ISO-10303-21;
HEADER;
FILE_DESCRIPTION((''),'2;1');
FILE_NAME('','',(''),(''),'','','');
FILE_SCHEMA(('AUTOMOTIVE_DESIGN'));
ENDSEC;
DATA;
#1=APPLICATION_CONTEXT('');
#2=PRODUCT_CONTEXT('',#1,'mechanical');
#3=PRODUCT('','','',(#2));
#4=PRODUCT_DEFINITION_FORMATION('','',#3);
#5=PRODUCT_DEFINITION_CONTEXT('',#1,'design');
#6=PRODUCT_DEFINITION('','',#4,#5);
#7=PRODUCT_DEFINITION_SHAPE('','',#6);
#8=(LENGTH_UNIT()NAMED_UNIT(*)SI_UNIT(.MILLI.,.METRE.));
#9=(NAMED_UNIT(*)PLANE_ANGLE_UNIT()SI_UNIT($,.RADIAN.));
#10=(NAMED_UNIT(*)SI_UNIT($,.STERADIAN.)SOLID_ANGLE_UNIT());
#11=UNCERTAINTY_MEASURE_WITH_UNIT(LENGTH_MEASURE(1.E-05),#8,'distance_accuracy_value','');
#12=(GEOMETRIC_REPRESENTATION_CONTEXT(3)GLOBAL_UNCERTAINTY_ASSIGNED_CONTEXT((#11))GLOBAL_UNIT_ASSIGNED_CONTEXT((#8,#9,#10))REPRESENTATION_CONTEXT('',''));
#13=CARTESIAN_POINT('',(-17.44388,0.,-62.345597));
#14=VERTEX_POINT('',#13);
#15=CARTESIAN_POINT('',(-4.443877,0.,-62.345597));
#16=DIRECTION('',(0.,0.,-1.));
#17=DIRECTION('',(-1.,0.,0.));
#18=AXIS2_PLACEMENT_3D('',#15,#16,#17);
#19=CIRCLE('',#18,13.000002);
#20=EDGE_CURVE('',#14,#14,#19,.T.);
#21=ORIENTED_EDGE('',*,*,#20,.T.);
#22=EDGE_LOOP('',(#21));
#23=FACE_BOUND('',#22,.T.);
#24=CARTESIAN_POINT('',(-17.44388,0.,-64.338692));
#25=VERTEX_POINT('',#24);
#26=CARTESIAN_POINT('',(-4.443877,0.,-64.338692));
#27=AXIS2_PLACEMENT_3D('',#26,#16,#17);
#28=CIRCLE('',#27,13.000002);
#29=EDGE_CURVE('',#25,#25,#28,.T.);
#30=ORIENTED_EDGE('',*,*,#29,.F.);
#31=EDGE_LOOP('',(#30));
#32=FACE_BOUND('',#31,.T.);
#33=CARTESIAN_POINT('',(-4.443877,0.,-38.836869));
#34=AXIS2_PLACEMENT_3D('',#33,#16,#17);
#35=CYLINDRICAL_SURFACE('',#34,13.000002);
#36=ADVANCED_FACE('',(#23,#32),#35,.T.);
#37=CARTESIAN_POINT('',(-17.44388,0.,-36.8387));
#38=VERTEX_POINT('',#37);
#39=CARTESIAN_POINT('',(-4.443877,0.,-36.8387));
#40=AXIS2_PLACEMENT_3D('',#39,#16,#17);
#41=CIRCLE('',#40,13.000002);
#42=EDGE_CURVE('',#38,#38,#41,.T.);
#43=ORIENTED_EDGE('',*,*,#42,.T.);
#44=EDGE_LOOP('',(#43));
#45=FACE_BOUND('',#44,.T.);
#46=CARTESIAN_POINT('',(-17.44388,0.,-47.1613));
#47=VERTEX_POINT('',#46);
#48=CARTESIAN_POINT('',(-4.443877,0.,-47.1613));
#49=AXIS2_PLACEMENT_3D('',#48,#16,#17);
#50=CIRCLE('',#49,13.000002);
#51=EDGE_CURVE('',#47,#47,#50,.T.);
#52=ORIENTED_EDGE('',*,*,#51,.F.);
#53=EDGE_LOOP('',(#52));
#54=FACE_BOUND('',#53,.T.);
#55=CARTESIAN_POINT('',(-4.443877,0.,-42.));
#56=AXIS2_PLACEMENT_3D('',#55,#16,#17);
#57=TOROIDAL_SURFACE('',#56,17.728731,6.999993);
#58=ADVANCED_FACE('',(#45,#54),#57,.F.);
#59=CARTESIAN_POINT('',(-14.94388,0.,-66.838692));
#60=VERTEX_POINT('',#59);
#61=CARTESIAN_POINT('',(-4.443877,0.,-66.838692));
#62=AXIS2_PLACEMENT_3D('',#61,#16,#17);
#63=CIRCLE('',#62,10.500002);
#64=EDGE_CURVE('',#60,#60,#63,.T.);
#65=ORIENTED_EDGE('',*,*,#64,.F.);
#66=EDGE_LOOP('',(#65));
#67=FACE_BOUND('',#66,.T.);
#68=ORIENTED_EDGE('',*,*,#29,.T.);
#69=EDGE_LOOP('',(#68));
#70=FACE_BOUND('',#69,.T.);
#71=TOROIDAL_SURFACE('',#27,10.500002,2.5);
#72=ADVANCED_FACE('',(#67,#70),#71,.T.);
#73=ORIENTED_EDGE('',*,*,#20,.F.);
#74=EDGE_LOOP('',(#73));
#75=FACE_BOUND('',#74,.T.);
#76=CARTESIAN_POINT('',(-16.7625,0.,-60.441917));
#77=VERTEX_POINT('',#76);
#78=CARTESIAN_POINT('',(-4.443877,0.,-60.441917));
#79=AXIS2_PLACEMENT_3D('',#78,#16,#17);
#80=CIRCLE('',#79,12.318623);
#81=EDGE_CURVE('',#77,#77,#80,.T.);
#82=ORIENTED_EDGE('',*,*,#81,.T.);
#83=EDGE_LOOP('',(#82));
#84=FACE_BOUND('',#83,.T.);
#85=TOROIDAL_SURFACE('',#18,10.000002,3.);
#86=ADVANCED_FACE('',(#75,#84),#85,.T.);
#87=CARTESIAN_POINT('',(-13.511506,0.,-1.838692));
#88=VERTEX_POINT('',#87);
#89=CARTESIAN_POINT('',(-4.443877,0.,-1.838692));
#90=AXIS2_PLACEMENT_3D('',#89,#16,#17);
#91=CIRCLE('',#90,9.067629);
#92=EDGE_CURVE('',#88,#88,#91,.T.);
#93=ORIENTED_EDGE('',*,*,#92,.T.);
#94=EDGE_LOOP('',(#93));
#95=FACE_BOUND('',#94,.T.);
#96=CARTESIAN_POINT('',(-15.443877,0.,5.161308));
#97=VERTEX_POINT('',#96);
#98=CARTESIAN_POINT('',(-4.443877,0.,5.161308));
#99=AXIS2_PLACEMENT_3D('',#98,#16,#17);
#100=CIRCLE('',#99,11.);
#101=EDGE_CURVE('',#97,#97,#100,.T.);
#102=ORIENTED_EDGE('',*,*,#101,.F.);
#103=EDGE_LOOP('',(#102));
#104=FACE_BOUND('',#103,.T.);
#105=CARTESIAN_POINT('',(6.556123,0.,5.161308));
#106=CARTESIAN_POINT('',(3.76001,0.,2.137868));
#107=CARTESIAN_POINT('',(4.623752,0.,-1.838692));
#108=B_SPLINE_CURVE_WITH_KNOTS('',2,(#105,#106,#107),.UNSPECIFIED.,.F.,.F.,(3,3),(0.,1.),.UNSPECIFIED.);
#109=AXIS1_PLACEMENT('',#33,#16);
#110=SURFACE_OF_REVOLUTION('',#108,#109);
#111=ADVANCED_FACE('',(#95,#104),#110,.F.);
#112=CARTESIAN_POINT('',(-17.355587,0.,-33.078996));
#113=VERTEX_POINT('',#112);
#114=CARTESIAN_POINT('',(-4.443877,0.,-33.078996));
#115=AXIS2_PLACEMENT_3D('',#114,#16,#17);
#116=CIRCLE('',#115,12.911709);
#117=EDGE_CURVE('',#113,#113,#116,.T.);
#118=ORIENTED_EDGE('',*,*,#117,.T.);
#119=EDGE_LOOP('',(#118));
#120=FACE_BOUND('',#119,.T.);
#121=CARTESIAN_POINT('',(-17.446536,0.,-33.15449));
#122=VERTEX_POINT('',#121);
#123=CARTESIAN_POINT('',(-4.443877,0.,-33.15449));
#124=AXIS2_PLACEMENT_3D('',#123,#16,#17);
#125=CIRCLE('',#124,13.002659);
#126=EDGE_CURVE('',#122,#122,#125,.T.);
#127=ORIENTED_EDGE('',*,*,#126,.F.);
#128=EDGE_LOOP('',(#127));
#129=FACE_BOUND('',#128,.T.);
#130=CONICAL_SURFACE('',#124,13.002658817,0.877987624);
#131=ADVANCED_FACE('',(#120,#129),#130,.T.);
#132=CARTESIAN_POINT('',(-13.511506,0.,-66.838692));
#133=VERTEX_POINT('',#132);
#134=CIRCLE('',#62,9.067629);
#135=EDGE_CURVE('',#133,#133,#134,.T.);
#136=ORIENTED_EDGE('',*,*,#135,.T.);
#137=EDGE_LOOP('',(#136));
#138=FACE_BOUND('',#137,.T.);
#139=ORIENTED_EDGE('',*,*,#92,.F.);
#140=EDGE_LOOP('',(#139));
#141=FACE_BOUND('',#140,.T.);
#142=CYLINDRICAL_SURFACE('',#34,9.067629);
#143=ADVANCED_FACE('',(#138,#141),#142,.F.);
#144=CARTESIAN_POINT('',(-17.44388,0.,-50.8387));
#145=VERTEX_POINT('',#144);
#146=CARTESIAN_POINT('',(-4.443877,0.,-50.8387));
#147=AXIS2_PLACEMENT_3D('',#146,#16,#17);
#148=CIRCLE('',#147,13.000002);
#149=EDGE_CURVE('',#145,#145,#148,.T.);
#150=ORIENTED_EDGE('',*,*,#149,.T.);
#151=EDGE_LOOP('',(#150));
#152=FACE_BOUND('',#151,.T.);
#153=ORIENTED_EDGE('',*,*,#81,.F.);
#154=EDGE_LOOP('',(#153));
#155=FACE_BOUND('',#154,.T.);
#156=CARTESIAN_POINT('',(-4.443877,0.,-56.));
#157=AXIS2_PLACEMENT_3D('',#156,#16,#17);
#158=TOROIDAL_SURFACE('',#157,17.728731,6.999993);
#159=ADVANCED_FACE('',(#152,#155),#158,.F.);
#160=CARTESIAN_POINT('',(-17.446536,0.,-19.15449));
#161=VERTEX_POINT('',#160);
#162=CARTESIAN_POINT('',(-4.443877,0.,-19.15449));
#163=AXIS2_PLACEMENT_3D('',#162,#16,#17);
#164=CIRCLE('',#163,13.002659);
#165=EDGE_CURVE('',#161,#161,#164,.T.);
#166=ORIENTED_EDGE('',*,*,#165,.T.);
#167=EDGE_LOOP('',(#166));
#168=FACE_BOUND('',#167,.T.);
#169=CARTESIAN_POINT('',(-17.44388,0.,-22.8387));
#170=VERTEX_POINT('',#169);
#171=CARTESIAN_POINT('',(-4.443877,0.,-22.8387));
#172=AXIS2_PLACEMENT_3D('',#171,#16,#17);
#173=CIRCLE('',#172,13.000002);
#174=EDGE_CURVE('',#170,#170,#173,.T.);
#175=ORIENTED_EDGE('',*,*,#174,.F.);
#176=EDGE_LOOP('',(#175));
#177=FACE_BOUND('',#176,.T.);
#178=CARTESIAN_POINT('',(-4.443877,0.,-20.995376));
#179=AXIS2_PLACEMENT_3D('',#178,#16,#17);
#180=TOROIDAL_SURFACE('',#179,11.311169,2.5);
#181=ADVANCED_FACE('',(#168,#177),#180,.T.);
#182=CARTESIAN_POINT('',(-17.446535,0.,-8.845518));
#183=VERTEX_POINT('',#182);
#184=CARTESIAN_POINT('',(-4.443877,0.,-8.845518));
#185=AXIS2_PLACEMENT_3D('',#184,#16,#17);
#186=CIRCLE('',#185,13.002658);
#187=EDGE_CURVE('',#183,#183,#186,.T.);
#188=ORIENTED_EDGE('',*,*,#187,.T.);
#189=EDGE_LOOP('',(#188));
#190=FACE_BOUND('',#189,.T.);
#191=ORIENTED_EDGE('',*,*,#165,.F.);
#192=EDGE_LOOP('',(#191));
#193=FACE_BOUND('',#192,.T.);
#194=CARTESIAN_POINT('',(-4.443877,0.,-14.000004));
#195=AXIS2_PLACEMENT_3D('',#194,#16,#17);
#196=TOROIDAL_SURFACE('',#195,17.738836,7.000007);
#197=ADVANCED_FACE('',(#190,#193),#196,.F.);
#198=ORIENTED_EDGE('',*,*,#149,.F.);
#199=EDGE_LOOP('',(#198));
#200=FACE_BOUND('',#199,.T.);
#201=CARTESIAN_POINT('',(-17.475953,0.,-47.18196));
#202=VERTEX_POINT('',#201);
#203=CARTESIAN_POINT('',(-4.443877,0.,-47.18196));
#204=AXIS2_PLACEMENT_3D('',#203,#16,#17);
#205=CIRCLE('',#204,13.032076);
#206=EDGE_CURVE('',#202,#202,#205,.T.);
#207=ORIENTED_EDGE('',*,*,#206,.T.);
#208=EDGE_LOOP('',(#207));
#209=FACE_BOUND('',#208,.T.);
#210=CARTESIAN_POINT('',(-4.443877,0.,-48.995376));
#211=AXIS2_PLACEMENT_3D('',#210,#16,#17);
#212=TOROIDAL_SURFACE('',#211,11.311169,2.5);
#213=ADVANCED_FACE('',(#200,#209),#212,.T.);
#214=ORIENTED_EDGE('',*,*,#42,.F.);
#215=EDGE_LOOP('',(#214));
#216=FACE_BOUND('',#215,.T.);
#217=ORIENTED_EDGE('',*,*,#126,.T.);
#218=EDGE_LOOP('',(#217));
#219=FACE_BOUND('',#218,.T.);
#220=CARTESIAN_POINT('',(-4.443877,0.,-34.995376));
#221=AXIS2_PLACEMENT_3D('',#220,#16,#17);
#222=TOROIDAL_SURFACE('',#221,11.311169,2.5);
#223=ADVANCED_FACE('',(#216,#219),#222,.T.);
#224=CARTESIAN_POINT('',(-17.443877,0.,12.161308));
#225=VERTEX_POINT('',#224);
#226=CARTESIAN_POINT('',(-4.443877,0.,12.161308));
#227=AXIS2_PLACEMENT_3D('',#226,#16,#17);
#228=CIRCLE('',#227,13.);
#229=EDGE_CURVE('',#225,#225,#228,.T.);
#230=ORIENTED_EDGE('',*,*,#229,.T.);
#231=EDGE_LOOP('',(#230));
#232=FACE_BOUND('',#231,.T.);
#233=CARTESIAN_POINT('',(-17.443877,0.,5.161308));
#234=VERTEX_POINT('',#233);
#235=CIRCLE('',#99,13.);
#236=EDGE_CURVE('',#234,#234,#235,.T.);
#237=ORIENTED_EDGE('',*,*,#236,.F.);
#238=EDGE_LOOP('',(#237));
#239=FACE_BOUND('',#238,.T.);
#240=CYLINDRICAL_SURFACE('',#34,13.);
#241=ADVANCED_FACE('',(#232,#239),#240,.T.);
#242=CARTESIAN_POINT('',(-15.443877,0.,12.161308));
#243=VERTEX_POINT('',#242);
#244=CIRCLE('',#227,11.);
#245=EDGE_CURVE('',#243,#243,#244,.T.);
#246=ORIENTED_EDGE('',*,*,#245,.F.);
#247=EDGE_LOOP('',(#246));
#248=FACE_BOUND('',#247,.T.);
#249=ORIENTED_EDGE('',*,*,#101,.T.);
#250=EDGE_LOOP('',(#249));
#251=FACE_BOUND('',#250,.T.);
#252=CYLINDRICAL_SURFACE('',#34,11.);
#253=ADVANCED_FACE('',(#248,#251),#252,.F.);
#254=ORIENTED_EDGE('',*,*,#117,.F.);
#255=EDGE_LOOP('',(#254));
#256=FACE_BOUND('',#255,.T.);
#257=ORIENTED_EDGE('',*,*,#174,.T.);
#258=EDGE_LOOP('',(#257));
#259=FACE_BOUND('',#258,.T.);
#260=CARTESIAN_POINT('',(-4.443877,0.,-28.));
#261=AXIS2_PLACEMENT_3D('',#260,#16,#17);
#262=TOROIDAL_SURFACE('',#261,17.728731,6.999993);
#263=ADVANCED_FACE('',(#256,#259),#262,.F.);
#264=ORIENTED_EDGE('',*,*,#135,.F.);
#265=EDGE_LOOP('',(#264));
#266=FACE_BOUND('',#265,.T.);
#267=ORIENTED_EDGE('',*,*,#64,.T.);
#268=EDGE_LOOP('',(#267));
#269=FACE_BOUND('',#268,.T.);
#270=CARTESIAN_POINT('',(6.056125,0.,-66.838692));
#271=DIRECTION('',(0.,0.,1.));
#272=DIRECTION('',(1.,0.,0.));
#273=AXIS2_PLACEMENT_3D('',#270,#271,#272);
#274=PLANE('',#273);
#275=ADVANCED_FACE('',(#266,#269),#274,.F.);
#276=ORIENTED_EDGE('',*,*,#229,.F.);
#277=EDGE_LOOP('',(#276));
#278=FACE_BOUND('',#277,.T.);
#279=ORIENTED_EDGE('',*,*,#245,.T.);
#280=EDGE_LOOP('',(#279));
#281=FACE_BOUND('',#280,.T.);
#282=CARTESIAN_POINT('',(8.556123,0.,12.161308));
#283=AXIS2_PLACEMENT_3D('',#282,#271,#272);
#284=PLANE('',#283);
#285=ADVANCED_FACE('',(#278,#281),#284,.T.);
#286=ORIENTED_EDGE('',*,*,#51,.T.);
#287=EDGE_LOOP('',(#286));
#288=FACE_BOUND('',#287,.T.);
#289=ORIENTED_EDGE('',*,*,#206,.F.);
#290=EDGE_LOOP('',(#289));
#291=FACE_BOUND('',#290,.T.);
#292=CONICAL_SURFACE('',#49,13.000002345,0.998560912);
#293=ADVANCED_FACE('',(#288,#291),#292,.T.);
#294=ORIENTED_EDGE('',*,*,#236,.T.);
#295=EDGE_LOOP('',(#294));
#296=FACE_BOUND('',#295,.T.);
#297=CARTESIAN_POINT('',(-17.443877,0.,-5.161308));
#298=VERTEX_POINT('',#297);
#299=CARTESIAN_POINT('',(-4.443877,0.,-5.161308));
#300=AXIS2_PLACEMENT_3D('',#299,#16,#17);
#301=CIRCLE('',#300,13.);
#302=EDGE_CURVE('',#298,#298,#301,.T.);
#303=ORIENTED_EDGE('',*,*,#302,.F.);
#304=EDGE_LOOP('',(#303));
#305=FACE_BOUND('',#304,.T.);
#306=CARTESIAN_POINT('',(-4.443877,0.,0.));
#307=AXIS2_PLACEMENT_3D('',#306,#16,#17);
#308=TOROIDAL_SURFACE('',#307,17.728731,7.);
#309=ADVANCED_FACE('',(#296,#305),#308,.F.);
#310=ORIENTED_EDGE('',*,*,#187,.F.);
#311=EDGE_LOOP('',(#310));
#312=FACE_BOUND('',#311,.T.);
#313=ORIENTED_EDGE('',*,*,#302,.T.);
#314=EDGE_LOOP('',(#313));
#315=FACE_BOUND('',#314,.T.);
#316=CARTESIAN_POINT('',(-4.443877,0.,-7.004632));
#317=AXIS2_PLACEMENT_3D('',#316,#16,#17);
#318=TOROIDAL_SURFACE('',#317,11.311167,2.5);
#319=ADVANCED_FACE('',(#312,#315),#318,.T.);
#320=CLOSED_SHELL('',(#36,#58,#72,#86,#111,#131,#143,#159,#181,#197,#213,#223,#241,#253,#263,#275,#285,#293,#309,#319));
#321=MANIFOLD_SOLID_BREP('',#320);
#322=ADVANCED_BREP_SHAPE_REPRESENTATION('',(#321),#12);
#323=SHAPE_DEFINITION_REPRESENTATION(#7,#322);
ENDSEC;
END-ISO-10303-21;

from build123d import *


with BuildPart() as part:
    # Esboço2 → Revolução1 (revolve)
    with BuildSketch(Plane(origin=(0, 0, 0), x_dir=(1, 0, 0), z_dir=(0, 1, 0))):
        with BuildLine():
            Line((8.556122621, -12.161308069), (6.556122621, -12.161308069))
            Line((6.556122621, -12.161308069), (6.556122621, -5.161308069))
            add(Edge.make_bspline(
                [(6.556122621, -5.161308069), (3.760010481, -2.137867698), (4.623751666, 1.838691931)],
                knots=[0, 0, 0, 1, 1, 1], degree=2))
            Line((4.623751666, 1.838691931), (4.623751666, 66.838691931))
            Line((4.623751666, 66.838691931), (6.056124965, 66.838691931))
            ThreePointArc((6.056124965, 66.838691931), (7.823891918, 66.106458884), (8.556124965, 64.338691931))
            Line((8.556124965, 64.338691931), (8.556124965, 62.345597204))
            ThreePointArc((8.556124965, 62.345597204), (8.380648029, 61.334622693), (7.874745323, 60.441916655))
            ThreePointArc((7.874745323, 60.441916655), (6.30241516, 55.504573146), (8.556124965, 50.838699681))
            ThreePointArc((8.556124965, 50.838699681), (9.367195302, 49.017302842), (8.588198185, 47.181959542))
            Line((8.588198185, 47.181959542), (8.556124965, 47.161300319))
            ThreePointArc((8.556124965, 47.161300319), (6.284861149, 42), (8.556124965, 36.838699681))
            ThreePointArc((8.556124965, 36.838699681), (9.367290809, 34.997178824), (8.558781437, 33.154490113))
            Line((8.558781437, 33.154490113), (8.467832014, 33.078995814))
            ThreePointArc((8.467832014, 33.078995814), (6.285121326, 27.939647542), (8.556124965, 22.838699681))
            ThreePointArc((8.556124965, 22.838699681), (9.367290809, 20.997178824), (8.558781437, 19.154490113))
            ThreePointArc((8.558781437, 19.154490113), (6.294951017, 14.000004357), (8.558780391, 8.845518141))
            ThreePointArc((8.558780391, 8.845518141), (9.367289389, 7.002828892), (8.556122621, 5.161308069))
            ThreePointArc((8.556122621, 5.161308069), (6.284853848, 0), (8.556122621, -5.161308069))
            Line((8.556122621, -5.161308069), (8.556122621, -12.161308069))
        make_face()
    revolve(axis=Axis((-4.443877379, 0, -38.836868608), (0, 0, 1)))


solid = part.part
